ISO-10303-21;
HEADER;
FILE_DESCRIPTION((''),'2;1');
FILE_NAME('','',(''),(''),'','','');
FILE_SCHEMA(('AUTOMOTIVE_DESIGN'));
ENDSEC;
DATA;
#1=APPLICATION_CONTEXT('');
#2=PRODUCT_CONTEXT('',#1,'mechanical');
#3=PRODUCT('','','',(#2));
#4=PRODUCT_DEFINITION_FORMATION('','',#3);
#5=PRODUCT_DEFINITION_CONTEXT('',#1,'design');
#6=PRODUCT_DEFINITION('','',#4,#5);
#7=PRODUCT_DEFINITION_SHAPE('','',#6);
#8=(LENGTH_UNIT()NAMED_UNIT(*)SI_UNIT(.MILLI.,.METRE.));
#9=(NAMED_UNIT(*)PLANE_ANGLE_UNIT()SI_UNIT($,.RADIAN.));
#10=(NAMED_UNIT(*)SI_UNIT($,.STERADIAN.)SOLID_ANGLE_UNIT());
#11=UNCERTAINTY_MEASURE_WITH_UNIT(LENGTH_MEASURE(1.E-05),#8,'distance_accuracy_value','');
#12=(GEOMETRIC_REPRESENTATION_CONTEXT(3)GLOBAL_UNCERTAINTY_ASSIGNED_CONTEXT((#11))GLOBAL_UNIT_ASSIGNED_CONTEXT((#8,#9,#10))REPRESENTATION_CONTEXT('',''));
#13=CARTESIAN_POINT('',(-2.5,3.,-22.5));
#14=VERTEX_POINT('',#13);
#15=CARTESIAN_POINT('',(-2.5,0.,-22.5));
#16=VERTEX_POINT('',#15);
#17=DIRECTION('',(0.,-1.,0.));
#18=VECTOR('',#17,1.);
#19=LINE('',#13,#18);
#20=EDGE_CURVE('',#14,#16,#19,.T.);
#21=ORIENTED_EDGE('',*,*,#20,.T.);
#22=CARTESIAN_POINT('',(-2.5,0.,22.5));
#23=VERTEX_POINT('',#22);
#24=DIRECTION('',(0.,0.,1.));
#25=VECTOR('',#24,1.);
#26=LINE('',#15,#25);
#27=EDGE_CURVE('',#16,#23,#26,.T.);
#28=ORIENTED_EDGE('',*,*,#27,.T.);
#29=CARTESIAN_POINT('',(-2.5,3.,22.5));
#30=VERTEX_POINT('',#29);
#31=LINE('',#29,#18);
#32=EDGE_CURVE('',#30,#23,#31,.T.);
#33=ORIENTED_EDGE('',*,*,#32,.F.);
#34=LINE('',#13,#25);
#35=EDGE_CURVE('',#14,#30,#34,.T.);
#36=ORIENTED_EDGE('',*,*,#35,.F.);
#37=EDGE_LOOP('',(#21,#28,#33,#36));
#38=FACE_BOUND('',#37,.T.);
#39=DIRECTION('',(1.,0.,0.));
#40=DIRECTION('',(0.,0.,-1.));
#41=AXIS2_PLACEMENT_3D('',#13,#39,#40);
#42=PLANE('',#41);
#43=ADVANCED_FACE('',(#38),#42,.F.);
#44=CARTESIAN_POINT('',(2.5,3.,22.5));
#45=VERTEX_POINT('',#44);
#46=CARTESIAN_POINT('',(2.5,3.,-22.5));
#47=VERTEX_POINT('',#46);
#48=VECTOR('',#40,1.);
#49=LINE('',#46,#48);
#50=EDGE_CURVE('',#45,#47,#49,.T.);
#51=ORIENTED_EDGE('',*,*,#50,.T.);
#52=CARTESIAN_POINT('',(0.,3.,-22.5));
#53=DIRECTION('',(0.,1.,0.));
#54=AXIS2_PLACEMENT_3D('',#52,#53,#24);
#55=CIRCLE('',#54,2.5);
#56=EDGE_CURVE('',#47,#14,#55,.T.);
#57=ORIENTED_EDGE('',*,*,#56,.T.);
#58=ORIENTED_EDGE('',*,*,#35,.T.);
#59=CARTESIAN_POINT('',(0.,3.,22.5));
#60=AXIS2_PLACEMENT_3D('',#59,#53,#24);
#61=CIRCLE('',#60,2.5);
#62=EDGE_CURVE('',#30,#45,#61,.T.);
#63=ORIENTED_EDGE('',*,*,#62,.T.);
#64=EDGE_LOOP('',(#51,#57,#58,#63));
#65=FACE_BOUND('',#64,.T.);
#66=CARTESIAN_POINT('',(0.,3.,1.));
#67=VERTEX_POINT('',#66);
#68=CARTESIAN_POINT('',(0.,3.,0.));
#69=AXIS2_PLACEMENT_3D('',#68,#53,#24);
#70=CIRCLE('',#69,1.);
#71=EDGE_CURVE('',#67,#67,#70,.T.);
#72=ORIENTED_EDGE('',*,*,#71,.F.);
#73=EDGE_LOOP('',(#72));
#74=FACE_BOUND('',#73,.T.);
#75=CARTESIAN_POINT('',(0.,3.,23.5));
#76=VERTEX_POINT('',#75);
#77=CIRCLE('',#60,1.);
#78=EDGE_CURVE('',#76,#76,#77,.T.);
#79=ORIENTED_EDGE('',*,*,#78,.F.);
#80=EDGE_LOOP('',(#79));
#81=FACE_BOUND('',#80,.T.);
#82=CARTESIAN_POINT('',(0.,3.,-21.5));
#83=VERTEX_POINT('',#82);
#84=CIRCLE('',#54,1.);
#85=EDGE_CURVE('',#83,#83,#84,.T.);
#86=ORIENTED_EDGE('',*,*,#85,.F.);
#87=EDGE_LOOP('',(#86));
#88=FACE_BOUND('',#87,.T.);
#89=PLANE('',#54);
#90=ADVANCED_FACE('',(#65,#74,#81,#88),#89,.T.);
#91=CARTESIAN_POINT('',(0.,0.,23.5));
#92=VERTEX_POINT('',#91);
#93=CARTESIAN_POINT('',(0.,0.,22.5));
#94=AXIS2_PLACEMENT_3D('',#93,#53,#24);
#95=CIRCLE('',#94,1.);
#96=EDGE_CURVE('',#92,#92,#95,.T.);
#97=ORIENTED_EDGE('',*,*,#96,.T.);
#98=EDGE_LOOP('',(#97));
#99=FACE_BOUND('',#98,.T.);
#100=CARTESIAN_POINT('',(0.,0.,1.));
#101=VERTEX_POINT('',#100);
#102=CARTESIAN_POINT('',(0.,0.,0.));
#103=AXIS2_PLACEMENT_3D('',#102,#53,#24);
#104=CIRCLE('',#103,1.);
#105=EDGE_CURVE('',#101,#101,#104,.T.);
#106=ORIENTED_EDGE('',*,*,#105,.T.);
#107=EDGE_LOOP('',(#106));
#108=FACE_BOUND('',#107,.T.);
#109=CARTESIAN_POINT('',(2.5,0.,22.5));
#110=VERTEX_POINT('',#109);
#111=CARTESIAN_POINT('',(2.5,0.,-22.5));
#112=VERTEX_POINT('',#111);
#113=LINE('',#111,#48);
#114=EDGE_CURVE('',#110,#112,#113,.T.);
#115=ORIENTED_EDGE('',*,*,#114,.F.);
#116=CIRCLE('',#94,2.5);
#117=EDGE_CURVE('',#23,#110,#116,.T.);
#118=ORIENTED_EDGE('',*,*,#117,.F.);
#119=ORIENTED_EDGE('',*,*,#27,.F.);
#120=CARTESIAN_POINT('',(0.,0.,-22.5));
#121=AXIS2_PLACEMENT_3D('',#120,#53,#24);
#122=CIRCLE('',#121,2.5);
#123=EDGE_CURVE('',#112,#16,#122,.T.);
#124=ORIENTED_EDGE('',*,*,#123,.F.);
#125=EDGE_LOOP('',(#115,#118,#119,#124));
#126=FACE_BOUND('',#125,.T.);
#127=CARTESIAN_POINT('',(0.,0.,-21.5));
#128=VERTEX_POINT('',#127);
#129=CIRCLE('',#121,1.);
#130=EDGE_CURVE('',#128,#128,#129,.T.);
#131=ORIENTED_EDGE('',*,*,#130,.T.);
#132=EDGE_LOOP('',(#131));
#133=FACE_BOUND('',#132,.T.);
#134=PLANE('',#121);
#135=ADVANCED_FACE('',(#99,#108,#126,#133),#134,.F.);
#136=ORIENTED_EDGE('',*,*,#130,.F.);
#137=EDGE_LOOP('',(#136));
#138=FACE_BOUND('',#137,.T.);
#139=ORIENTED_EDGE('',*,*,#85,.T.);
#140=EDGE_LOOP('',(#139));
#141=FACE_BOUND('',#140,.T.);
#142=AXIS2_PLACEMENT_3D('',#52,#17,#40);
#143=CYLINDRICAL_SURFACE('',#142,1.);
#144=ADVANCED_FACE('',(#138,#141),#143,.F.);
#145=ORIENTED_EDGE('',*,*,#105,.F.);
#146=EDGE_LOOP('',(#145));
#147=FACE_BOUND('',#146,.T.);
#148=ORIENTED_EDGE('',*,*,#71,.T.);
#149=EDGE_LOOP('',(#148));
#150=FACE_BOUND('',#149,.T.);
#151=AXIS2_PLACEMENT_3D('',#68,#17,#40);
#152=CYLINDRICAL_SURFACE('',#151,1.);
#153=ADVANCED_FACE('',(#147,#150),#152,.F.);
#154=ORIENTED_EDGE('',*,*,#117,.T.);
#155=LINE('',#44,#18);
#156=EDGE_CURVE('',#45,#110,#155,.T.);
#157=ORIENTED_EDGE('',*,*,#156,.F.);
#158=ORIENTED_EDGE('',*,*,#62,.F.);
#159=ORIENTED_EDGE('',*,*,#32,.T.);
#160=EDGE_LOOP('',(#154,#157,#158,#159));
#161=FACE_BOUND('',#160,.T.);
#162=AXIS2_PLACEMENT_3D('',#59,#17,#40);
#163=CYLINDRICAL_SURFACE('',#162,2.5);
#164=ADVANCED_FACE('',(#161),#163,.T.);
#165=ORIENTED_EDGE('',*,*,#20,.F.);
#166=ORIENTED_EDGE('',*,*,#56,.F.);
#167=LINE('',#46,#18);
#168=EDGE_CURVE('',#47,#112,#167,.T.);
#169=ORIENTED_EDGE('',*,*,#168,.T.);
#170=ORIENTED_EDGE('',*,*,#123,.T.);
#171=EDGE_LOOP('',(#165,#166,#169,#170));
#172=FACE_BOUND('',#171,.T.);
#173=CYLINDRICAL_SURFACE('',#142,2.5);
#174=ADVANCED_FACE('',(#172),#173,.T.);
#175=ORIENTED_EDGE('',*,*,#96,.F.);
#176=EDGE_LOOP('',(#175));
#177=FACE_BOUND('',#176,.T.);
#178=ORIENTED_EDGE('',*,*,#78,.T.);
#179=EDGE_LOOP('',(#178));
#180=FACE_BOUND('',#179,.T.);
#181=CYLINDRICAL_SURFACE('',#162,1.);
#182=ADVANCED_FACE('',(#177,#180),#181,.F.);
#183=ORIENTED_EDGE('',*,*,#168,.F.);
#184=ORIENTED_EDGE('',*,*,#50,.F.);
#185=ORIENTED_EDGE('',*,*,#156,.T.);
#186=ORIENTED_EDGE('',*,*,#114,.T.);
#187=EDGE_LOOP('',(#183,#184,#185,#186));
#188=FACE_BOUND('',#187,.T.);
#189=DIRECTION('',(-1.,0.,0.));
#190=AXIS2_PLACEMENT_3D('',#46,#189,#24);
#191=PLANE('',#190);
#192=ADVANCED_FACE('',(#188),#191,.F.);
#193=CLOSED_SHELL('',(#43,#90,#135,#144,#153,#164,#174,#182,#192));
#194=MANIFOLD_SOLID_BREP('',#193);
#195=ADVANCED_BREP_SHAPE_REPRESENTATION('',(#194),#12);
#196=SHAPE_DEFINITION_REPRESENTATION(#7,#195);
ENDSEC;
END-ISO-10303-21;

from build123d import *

# Parameters (mm, degrees)
SKETCH1_R           = 1
BOSS_EXTRUDE1_DEPTH = 3


with BuildPart() as part:
    # Sketch1 → Boss-Extrude1 (new body)
    with BuildSketch(Plane(origin=(0, 0, 0), x_dir=(1, 0, 0), z_dir=(0, 1, 0))):
        with BuildLine():
            Line((2.5, 22.5), (2.5, -22.5))
            ThreePointArc((2.5, -22.5), (0, -25), (-2.5, -22.5))
            Line((-2.5, -22.5), (-2.5, 22.5))
            ThreePointArc((-2.5, 22.5), (0, 25), (2.5, 22.5))
        make_face()
        with Locations((0, 22.5)):
            Circle(SKETCH1_R, mode=Mode.SUBTRACT)
        with Locations((0, -22.5)):
            Circle(SKETCH1_R, mode=Mode.SUBTRACT)
        Circle(SKETCH1_R, mode=Mode.SUBTRACT)
    extrude(amount=BOSS_EXTRUDE1_DEPTH)


solid = part.part
